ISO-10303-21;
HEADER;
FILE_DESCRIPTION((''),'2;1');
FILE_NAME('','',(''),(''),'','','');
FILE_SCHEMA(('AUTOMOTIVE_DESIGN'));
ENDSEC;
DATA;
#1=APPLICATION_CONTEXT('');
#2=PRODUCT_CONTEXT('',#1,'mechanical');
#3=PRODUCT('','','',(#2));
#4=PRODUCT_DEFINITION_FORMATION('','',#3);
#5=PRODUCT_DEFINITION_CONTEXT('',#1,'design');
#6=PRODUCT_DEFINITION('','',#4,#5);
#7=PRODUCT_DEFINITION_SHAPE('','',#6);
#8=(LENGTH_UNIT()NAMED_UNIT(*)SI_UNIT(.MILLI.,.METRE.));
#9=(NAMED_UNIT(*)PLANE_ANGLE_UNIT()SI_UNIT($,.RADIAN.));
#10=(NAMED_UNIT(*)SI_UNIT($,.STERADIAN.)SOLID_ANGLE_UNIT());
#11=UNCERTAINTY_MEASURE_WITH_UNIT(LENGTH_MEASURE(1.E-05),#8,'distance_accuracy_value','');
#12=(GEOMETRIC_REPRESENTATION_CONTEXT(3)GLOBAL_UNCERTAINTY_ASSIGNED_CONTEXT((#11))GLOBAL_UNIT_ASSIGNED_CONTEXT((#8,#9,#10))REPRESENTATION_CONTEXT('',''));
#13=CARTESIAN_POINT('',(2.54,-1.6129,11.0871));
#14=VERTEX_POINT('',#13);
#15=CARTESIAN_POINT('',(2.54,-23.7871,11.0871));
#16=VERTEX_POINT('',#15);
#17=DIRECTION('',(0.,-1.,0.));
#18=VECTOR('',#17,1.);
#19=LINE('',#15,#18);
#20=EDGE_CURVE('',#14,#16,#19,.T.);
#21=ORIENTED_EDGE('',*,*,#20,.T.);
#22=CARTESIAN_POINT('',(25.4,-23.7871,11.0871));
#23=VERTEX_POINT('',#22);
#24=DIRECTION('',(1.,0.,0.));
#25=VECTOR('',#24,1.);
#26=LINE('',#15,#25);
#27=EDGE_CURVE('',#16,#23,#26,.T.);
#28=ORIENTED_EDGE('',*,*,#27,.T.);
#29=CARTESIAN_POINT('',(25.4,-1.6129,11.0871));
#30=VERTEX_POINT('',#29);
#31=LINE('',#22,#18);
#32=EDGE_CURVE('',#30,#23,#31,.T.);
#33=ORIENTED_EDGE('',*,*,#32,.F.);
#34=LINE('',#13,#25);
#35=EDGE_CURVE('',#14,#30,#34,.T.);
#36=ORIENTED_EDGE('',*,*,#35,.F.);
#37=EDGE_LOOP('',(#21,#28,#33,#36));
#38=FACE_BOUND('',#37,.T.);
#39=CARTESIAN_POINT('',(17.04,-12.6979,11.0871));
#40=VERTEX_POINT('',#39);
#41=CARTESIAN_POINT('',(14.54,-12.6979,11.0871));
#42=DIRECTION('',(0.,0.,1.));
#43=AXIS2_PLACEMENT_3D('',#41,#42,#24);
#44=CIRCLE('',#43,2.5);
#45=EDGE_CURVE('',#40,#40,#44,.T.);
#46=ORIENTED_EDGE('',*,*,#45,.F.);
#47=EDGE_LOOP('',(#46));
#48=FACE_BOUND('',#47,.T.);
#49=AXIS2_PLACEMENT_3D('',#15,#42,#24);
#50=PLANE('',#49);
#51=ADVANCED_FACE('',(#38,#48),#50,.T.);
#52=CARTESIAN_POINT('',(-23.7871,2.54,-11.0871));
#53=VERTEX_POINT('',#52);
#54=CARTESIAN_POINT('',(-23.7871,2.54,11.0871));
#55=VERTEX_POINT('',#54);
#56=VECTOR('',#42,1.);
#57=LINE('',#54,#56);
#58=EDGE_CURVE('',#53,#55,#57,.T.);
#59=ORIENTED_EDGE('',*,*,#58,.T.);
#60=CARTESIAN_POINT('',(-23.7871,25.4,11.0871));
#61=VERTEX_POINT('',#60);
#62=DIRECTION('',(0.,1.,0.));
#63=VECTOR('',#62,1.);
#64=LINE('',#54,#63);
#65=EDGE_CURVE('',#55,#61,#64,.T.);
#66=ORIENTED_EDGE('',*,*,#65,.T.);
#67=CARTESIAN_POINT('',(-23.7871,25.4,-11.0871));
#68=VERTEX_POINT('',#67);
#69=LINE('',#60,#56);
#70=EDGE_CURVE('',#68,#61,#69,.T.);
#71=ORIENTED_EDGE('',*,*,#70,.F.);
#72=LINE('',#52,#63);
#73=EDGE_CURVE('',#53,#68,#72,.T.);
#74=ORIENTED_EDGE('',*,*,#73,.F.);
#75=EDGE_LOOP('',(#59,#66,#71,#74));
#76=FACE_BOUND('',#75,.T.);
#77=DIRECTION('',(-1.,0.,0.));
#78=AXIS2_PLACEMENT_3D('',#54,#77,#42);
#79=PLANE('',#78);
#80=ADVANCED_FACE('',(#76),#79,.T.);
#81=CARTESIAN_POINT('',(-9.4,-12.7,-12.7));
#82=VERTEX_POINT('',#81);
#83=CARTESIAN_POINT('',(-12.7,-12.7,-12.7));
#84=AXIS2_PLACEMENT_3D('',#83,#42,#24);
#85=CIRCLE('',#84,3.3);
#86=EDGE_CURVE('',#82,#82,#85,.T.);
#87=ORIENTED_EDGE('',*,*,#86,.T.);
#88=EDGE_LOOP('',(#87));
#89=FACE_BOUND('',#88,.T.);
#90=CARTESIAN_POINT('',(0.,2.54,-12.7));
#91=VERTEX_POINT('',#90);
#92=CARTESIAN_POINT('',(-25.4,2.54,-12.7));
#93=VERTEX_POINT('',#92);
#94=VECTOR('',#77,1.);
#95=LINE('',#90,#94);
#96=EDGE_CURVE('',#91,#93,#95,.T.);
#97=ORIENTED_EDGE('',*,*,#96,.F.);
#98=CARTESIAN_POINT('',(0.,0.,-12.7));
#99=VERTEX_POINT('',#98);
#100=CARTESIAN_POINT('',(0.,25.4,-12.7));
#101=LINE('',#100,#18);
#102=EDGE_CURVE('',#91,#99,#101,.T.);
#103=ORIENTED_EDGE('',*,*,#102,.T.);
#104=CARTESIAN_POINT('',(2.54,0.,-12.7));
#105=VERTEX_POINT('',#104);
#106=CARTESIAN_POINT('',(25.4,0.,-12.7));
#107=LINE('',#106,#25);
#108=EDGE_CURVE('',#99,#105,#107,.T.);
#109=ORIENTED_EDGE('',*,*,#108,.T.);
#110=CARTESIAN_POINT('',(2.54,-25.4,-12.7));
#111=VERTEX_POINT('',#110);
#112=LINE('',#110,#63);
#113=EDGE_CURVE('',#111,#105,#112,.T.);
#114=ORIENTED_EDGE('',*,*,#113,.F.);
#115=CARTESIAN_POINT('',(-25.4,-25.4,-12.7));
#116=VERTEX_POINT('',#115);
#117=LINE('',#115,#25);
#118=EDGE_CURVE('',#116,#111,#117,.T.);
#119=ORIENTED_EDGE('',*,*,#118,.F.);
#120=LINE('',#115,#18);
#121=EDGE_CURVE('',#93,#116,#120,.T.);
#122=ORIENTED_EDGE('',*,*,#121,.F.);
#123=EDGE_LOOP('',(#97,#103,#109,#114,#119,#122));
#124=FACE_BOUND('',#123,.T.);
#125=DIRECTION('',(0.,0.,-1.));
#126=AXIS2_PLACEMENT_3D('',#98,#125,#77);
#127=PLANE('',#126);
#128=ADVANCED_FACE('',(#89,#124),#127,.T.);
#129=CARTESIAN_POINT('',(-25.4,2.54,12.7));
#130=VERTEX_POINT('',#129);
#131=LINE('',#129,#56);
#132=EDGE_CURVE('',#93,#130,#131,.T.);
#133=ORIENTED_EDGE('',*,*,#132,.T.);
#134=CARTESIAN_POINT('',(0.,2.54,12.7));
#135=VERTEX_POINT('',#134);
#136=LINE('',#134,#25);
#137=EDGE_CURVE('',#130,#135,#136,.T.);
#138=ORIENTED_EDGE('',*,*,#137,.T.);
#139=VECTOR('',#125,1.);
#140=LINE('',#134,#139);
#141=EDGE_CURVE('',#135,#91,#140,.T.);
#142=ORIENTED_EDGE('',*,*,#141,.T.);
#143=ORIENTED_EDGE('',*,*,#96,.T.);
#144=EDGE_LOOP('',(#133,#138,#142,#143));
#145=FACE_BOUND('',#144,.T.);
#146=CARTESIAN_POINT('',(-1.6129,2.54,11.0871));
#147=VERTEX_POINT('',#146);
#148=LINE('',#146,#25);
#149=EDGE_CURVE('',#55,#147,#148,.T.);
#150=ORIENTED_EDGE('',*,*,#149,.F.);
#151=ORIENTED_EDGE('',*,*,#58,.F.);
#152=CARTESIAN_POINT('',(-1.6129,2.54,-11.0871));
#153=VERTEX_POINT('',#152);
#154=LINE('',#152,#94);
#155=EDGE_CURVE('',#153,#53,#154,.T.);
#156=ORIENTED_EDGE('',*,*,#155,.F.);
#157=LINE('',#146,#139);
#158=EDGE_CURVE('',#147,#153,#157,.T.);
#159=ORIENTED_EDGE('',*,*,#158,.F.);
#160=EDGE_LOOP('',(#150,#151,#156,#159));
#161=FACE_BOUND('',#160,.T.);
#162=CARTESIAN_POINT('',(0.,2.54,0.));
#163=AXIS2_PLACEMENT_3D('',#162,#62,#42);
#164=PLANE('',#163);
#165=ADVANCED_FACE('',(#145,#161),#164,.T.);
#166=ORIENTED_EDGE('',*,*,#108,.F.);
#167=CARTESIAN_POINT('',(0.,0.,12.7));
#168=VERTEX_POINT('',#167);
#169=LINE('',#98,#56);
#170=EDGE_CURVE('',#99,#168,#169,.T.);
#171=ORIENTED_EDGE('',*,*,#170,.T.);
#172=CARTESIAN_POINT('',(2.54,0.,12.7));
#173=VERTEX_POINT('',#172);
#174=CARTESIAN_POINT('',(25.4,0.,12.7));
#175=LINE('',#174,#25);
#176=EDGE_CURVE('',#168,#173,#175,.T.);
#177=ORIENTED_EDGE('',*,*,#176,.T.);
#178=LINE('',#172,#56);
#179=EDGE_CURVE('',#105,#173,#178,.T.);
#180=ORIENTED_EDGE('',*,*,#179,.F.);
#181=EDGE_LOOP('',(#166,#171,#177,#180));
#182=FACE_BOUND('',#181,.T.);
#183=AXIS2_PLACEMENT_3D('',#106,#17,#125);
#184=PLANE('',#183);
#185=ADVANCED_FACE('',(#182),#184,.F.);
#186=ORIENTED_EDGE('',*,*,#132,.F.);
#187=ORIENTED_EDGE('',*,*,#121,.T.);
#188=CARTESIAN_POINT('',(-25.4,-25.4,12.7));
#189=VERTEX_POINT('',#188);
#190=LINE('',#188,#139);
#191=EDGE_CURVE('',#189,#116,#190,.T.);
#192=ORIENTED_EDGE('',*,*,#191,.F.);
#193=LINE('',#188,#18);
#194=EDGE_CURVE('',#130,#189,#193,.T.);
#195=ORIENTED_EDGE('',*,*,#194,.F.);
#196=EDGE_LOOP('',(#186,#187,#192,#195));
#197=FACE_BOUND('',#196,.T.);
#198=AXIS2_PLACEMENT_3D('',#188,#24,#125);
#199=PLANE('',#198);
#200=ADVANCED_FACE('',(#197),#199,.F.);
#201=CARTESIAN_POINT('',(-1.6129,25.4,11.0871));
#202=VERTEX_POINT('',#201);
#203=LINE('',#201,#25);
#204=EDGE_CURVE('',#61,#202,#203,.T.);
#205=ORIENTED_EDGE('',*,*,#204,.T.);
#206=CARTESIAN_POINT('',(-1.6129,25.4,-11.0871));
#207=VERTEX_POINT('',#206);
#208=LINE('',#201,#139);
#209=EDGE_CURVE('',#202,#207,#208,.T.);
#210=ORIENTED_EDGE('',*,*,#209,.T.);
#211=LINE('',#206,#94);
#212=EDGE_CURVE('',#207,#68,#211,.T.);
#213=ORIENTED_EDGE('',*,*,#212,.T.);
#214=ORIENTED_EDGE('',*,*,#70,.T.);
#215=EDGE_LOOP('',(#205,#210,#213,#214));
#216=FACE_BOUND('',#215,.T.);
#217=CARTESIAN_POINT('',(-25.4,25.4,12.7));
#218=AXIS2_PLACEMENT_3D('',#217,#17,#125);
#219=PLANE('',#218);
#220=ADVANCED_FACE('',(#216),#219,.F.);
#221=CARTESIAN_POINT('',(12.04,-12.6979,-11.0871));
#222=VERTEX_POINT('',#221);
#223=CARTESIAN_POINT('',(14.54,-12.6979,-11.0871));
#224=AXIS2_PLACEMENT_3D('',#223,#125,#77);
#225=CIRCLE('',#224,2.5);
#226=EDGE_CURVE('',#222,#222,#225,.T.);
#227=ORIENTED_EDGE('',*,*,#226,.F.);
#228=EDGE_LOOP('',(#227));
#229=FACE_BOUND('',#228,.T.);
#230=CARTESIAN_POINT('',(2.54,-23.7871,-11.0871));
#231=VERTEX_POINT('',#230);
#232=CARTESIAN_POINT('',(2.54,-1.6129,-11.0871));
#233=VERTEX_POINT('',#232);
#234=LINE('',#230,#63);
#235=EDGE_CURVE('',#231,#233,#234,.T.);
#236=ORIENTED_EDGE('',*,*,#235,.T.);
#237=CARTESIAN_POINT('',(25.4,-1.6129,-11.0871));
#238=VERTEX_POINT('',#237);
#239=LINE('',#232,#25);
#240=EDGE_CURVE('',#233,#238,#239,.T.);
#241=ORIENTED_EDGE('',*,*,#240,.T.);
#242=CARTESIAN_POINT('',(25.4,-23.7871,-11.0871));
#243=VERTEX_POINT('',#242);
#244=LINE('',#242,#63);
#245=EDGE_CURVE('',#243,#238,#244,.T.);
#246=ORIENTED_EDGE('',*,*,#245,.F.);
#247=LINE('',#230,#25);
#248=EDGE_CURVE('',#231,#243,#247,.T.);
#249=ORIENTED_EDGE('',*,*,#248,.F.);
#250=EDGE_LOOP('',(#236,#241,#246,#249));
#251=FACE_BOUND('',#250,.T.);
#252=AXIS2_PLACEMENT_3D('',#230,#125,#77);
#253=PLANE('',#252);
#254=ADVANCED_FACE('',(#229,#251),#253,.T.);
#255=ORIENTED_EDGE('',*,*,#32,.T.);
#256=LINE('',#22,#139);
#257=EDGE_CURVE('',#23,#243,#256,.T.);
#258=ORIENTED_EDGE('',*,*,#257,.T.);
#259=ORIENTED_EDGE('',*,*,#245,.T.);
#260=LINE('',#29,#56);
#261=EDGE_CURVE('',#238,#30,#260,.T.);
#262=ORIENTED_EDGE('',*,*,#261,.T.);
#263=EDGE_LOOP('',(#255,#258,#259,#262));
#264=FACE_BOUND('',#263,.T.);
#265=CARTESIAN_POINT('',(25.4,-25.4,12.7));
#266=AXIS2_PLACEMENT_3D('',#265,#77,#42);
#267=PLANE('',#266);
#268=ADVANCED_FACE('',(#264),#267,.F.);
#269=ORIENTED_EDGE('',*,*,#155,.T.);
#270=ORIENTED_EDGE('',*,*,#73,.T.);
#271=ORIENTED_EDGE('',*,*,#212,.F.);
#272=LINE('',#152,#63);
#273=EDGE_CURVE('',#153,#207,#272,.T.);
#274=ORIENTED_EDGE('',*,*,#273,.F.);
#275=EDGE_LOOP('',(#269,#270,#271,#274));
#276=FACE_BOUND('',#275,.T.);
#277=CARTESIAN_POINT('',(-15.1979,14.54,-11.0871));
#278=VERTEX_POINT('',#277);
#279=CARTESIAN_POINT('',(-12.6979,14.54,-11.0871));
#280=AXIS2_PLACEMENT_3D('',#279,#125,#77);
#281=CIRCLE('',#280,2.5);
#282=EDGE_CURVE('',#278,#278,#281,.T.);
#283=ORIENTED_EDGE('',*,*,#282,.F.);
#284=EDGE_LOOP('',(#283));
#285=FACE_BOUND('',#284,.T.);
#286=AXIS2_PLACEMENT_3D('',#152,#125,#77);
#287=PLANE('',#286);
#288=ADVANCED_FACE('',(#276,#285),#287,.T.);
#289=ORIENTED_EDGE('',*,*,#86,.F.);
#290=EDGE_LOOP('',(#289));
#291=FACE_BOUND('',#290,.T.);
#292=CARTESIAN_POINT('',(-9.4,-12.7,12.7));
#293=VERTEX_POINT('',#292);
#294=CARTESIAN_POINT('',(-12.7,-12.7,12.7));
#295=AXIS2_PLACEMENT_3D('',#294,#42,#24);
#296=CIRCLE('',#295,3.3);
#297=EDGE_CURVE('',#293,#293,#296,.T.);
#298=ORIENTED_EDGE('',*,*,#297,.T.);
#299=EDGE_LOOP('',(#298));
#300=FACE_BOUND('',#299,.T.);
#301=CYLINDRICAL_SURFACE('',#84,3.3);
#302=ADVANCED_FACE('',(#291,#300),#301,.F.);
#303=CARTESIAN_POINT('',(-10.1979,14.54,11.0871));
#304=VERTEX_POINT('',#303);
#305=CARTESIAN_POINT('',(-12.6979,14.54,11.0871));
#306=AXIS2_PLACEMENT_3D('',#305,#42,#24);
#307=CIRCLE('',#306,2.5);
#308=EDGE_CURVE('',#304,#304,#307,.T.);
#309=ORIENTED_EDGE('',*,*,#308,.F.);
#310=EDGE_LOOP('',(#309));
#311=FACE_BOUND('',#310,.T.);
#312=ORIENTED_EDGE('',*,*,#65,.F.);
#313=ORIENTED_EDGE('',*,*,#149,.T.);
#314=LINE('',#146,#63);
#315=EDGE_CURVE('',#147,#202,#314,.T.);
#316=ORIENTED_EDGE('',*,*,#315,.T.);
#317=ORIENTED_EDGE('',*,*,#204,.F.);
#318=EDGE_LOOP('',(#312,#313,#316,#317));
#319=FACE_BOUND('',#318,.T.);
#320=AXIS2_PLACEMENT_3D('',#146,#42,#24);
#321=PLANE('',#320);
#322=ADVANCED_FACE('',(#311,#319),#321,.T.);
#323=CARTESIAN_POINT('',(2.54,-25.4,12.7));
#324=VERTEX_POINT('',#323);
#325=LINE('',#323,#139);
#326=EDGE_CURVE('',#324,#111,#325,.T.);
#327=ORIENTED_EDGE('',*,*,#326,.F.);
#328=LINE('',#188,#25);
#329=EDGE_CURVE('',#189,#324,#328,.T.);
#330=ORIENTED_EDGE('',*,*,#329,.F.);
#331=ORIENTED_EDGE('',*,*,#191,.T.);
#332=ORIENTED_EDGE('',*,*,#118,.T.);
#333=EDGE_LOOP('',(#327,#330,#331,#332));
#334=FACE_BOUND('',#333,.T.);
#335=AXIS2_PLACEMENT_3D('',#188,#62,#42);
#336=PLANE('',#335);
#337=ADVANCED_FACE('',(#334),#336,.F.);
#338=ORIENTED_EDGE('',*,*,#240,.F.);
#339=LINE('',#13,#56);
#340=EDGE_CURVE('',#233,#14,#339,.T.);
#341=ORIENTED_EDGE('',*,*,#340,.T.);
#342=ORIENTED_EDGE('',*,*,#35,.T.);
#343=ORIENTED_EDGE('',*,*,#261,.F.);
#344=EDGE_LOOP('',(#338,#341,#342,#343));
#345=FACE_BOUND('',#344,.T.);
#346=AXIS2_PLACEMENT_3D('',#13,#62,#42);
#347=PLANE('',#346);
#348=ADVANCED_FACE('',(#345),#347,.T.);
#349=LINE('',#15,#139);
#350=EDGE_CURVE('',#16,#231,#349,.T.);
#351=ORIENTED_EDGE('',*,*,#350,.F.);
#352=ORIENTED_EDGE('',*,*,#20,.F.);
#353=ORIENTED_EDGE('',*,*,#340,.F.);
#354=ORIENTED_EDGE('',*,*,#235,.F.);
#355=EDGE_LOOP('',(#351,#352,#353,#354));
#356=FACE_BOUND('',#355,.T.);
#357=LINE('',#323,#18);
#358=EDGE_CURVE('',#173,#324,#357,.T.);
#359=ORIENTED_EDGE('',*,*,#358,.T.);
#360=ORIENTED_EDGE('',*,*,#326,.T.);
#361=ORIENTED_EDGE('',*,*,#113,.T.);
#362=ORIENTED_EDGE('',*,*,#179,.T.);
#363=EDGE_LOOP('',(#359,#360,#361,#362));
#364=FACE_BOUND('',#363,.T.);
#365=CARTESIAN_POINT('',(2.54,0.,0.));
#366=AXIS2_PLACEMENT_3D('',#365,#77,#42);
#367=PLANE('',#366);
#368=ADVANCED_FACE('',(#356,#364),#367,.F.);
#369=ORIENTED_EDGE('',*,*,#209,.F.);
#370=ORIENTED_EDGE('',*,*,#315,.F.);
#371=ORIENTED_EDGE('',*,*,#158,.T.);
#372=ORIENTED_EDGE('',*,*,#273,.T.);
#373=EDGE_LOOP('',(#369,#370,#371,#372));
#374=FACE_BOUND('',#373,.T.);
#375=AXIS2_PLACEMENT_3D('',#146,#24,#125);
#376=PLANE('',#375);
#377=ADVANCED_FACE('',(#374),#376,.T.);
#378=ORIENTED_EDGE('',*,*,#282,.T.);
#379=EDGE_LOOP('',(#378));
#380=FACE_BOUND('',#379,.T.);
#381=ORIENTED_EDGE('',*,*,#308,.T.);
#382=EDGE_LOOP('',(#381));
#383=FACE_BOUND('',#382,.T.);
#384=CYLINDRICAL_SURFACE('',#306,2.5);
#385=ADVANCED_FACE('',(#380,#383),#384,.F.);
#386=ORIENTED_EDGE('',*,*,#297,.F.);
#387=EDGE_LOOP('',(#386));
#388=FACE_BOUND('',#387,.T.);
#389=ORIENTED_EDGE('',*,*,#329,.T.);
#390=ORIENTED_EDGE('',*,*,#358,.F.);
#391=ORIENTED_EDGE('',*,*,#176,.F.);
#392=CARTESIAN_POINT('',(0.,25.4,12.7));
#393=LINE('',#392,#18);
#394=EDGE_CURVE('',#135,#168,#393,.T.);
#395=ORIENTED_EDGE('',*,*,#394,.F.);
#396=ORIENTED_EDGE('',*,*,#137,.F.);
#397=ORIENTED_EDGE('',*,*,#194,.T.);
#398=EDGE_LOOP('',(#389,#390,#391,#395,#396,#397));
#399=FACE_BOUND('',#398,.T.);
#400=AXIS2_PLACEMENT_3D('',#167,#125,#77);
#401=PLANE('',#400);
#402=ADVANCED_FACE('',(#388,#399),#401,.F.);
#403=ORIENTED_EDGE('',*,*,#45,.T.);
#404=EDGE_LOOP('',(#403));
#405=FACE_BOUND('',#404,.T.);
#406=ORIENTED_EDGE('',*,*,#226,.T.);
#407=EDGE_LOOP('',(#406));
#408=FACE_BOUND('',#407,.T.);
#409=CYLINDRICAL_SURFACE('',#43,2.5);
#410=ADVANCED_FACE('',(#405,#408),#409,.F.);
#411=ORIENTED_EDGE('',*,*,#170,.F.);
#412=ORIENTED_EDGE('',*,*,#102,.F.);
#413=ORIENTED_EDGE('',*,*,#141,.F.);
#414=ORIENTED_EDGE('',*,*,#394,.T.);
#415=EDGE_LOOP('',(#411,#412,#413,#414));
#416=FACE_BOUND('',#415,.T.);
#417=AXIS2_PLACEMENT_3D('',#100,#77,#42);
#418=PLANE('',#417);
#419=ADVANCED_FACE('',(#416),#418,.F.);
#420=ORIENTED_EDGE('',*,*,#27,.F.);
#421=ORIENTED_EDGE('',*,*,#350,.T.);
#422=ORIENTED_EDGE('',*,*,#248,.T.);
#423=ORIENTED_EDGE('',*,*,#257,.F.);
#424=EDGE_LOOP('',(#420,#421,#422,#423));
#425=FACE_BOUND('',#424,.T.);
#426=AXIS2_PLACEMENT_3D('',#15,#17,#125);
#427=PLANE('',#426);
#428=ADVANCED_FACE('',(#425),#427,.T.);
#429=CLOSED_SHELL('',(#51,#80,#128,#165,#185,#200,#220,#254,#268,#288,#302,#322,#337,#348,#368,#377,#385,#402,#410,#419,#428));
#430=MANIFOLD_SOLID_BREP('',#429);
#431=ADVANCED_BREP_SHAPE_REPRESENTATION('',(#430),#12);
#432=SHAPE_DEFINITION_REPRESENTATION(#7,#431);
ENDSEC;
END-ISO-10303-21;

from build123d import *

# Parameters (mm, degrees)
SKETCH1_W                   = 50.8
SKETCH1_H                   = 50.8
BOSS_EXTRUDE1_DEPTH         = 12.7
SKETCH2_W                   = 25.4
SKETCH2_H                   = 25.4
CUT_EXTRUDE1_DEPTH          = 26.4
SKETCH3_W                   = 25.4
SKETCH3_H                   = 25.4
SKETCH3_W_2                 = 22.1742
SKETCH3_H_2                 = 22.1742
CUT_EXTRUDE2_DEPTH          = 22.86
SKETCH5_W                   = 25.4
SKETCH5_H                   = 25.4
SKETCH5_W_2                 = 22.1742
SKETCH5_H_2                 = 22.1742
CUT_EXTRUDE4_DEPTH          = 22.86
SKETCH7_R                   = 3.3
CUT_EXTRUDE6_DEPTH          = 26.4
TAP_DRILL_FOR_M6X1_0_TAP1_D = 5


with BuildPart() as part:
    # Sketch1 → Boss-Extrude1 (new body, symmetric)
    with BuildSketch(Plane.XY):
        Rectangle(SKETCH1_W, SKETCH1_H)
    extrude(amount=BOSS_EXTRUDE1_DEPTH, both=True)

    # Sketch2 → Cut-Extrude1 (cut, through all)
    with BuildSketch(Plane.XY.offset(12.7)):
        with Locations((12.7, 12.7)):
            Rectangle(SKETCH2_W, SKETCH2_H)
    extrude(amount=-CUT_EXTRUDE1_DEPTH, mode=Mode.SUBTRACT)

    # Sketch3 → Cut-Extrude2 (cut)
    with BuildSketch(Plane(origin=(25.4, 0, 0), x_dir=(0, 0, -1), z_dir=(1, 0, 0))):
        with Locations((0, -12.7)):
            Rectangle(SKETCH3_W, SKETCH3_H)
        with Locations((0, -12.7)):
            Rectangle(SKETCH3_W_2, SKETCH3_H_2, mode=Mode.SUBTRACT)
    extrude(amount=-CUT_EXTRUDE2_DEPTH, mode=Mode.SUBTRACT)

    # Sketch5 → Cut-Extrude4 (cut)
    with BuildSketch(Plane(origin=(0, 25.4, 0), x_dir=(1, 0, 0), z_dir=(0, 1, 0))):
        with Locations((-12.7, 0)):
            Rectangle(SKETCH5_W, SKETCH5_H)
        with Locations((-12.7, 0)):
            Rectangle(SKETCH5_W_2, SKETCH5_H_2, mode=Mode.SUBTRACT)
    extrude(amount=-CUT_EXTRUDE4_DEPTH, mode=Mode.SUBTRACT)

    # Sketch7 → Cut-Extrude6 (cut, through all)
    with BuildSketch(Plane.XY.offset(12.7)):
        with Locations((-12.7, -12.7)):
            Circle(SKETCH7_R)
    extrude(amount=-CUT_EXTRUDE6_DEPTH, mode=Mode.SUBTRACT)

    # Tap Drill for M6x1.0 Tap1 (through all)
    with Locations(Plane.XY.offset(11.0871)):
        with Locations((14.54, -12.6979), (-12.6979, 14.54)):
            Hole(TAP_DRILL_FOR_M6X1_0_TAP1_D / 2)


solid = part.part
